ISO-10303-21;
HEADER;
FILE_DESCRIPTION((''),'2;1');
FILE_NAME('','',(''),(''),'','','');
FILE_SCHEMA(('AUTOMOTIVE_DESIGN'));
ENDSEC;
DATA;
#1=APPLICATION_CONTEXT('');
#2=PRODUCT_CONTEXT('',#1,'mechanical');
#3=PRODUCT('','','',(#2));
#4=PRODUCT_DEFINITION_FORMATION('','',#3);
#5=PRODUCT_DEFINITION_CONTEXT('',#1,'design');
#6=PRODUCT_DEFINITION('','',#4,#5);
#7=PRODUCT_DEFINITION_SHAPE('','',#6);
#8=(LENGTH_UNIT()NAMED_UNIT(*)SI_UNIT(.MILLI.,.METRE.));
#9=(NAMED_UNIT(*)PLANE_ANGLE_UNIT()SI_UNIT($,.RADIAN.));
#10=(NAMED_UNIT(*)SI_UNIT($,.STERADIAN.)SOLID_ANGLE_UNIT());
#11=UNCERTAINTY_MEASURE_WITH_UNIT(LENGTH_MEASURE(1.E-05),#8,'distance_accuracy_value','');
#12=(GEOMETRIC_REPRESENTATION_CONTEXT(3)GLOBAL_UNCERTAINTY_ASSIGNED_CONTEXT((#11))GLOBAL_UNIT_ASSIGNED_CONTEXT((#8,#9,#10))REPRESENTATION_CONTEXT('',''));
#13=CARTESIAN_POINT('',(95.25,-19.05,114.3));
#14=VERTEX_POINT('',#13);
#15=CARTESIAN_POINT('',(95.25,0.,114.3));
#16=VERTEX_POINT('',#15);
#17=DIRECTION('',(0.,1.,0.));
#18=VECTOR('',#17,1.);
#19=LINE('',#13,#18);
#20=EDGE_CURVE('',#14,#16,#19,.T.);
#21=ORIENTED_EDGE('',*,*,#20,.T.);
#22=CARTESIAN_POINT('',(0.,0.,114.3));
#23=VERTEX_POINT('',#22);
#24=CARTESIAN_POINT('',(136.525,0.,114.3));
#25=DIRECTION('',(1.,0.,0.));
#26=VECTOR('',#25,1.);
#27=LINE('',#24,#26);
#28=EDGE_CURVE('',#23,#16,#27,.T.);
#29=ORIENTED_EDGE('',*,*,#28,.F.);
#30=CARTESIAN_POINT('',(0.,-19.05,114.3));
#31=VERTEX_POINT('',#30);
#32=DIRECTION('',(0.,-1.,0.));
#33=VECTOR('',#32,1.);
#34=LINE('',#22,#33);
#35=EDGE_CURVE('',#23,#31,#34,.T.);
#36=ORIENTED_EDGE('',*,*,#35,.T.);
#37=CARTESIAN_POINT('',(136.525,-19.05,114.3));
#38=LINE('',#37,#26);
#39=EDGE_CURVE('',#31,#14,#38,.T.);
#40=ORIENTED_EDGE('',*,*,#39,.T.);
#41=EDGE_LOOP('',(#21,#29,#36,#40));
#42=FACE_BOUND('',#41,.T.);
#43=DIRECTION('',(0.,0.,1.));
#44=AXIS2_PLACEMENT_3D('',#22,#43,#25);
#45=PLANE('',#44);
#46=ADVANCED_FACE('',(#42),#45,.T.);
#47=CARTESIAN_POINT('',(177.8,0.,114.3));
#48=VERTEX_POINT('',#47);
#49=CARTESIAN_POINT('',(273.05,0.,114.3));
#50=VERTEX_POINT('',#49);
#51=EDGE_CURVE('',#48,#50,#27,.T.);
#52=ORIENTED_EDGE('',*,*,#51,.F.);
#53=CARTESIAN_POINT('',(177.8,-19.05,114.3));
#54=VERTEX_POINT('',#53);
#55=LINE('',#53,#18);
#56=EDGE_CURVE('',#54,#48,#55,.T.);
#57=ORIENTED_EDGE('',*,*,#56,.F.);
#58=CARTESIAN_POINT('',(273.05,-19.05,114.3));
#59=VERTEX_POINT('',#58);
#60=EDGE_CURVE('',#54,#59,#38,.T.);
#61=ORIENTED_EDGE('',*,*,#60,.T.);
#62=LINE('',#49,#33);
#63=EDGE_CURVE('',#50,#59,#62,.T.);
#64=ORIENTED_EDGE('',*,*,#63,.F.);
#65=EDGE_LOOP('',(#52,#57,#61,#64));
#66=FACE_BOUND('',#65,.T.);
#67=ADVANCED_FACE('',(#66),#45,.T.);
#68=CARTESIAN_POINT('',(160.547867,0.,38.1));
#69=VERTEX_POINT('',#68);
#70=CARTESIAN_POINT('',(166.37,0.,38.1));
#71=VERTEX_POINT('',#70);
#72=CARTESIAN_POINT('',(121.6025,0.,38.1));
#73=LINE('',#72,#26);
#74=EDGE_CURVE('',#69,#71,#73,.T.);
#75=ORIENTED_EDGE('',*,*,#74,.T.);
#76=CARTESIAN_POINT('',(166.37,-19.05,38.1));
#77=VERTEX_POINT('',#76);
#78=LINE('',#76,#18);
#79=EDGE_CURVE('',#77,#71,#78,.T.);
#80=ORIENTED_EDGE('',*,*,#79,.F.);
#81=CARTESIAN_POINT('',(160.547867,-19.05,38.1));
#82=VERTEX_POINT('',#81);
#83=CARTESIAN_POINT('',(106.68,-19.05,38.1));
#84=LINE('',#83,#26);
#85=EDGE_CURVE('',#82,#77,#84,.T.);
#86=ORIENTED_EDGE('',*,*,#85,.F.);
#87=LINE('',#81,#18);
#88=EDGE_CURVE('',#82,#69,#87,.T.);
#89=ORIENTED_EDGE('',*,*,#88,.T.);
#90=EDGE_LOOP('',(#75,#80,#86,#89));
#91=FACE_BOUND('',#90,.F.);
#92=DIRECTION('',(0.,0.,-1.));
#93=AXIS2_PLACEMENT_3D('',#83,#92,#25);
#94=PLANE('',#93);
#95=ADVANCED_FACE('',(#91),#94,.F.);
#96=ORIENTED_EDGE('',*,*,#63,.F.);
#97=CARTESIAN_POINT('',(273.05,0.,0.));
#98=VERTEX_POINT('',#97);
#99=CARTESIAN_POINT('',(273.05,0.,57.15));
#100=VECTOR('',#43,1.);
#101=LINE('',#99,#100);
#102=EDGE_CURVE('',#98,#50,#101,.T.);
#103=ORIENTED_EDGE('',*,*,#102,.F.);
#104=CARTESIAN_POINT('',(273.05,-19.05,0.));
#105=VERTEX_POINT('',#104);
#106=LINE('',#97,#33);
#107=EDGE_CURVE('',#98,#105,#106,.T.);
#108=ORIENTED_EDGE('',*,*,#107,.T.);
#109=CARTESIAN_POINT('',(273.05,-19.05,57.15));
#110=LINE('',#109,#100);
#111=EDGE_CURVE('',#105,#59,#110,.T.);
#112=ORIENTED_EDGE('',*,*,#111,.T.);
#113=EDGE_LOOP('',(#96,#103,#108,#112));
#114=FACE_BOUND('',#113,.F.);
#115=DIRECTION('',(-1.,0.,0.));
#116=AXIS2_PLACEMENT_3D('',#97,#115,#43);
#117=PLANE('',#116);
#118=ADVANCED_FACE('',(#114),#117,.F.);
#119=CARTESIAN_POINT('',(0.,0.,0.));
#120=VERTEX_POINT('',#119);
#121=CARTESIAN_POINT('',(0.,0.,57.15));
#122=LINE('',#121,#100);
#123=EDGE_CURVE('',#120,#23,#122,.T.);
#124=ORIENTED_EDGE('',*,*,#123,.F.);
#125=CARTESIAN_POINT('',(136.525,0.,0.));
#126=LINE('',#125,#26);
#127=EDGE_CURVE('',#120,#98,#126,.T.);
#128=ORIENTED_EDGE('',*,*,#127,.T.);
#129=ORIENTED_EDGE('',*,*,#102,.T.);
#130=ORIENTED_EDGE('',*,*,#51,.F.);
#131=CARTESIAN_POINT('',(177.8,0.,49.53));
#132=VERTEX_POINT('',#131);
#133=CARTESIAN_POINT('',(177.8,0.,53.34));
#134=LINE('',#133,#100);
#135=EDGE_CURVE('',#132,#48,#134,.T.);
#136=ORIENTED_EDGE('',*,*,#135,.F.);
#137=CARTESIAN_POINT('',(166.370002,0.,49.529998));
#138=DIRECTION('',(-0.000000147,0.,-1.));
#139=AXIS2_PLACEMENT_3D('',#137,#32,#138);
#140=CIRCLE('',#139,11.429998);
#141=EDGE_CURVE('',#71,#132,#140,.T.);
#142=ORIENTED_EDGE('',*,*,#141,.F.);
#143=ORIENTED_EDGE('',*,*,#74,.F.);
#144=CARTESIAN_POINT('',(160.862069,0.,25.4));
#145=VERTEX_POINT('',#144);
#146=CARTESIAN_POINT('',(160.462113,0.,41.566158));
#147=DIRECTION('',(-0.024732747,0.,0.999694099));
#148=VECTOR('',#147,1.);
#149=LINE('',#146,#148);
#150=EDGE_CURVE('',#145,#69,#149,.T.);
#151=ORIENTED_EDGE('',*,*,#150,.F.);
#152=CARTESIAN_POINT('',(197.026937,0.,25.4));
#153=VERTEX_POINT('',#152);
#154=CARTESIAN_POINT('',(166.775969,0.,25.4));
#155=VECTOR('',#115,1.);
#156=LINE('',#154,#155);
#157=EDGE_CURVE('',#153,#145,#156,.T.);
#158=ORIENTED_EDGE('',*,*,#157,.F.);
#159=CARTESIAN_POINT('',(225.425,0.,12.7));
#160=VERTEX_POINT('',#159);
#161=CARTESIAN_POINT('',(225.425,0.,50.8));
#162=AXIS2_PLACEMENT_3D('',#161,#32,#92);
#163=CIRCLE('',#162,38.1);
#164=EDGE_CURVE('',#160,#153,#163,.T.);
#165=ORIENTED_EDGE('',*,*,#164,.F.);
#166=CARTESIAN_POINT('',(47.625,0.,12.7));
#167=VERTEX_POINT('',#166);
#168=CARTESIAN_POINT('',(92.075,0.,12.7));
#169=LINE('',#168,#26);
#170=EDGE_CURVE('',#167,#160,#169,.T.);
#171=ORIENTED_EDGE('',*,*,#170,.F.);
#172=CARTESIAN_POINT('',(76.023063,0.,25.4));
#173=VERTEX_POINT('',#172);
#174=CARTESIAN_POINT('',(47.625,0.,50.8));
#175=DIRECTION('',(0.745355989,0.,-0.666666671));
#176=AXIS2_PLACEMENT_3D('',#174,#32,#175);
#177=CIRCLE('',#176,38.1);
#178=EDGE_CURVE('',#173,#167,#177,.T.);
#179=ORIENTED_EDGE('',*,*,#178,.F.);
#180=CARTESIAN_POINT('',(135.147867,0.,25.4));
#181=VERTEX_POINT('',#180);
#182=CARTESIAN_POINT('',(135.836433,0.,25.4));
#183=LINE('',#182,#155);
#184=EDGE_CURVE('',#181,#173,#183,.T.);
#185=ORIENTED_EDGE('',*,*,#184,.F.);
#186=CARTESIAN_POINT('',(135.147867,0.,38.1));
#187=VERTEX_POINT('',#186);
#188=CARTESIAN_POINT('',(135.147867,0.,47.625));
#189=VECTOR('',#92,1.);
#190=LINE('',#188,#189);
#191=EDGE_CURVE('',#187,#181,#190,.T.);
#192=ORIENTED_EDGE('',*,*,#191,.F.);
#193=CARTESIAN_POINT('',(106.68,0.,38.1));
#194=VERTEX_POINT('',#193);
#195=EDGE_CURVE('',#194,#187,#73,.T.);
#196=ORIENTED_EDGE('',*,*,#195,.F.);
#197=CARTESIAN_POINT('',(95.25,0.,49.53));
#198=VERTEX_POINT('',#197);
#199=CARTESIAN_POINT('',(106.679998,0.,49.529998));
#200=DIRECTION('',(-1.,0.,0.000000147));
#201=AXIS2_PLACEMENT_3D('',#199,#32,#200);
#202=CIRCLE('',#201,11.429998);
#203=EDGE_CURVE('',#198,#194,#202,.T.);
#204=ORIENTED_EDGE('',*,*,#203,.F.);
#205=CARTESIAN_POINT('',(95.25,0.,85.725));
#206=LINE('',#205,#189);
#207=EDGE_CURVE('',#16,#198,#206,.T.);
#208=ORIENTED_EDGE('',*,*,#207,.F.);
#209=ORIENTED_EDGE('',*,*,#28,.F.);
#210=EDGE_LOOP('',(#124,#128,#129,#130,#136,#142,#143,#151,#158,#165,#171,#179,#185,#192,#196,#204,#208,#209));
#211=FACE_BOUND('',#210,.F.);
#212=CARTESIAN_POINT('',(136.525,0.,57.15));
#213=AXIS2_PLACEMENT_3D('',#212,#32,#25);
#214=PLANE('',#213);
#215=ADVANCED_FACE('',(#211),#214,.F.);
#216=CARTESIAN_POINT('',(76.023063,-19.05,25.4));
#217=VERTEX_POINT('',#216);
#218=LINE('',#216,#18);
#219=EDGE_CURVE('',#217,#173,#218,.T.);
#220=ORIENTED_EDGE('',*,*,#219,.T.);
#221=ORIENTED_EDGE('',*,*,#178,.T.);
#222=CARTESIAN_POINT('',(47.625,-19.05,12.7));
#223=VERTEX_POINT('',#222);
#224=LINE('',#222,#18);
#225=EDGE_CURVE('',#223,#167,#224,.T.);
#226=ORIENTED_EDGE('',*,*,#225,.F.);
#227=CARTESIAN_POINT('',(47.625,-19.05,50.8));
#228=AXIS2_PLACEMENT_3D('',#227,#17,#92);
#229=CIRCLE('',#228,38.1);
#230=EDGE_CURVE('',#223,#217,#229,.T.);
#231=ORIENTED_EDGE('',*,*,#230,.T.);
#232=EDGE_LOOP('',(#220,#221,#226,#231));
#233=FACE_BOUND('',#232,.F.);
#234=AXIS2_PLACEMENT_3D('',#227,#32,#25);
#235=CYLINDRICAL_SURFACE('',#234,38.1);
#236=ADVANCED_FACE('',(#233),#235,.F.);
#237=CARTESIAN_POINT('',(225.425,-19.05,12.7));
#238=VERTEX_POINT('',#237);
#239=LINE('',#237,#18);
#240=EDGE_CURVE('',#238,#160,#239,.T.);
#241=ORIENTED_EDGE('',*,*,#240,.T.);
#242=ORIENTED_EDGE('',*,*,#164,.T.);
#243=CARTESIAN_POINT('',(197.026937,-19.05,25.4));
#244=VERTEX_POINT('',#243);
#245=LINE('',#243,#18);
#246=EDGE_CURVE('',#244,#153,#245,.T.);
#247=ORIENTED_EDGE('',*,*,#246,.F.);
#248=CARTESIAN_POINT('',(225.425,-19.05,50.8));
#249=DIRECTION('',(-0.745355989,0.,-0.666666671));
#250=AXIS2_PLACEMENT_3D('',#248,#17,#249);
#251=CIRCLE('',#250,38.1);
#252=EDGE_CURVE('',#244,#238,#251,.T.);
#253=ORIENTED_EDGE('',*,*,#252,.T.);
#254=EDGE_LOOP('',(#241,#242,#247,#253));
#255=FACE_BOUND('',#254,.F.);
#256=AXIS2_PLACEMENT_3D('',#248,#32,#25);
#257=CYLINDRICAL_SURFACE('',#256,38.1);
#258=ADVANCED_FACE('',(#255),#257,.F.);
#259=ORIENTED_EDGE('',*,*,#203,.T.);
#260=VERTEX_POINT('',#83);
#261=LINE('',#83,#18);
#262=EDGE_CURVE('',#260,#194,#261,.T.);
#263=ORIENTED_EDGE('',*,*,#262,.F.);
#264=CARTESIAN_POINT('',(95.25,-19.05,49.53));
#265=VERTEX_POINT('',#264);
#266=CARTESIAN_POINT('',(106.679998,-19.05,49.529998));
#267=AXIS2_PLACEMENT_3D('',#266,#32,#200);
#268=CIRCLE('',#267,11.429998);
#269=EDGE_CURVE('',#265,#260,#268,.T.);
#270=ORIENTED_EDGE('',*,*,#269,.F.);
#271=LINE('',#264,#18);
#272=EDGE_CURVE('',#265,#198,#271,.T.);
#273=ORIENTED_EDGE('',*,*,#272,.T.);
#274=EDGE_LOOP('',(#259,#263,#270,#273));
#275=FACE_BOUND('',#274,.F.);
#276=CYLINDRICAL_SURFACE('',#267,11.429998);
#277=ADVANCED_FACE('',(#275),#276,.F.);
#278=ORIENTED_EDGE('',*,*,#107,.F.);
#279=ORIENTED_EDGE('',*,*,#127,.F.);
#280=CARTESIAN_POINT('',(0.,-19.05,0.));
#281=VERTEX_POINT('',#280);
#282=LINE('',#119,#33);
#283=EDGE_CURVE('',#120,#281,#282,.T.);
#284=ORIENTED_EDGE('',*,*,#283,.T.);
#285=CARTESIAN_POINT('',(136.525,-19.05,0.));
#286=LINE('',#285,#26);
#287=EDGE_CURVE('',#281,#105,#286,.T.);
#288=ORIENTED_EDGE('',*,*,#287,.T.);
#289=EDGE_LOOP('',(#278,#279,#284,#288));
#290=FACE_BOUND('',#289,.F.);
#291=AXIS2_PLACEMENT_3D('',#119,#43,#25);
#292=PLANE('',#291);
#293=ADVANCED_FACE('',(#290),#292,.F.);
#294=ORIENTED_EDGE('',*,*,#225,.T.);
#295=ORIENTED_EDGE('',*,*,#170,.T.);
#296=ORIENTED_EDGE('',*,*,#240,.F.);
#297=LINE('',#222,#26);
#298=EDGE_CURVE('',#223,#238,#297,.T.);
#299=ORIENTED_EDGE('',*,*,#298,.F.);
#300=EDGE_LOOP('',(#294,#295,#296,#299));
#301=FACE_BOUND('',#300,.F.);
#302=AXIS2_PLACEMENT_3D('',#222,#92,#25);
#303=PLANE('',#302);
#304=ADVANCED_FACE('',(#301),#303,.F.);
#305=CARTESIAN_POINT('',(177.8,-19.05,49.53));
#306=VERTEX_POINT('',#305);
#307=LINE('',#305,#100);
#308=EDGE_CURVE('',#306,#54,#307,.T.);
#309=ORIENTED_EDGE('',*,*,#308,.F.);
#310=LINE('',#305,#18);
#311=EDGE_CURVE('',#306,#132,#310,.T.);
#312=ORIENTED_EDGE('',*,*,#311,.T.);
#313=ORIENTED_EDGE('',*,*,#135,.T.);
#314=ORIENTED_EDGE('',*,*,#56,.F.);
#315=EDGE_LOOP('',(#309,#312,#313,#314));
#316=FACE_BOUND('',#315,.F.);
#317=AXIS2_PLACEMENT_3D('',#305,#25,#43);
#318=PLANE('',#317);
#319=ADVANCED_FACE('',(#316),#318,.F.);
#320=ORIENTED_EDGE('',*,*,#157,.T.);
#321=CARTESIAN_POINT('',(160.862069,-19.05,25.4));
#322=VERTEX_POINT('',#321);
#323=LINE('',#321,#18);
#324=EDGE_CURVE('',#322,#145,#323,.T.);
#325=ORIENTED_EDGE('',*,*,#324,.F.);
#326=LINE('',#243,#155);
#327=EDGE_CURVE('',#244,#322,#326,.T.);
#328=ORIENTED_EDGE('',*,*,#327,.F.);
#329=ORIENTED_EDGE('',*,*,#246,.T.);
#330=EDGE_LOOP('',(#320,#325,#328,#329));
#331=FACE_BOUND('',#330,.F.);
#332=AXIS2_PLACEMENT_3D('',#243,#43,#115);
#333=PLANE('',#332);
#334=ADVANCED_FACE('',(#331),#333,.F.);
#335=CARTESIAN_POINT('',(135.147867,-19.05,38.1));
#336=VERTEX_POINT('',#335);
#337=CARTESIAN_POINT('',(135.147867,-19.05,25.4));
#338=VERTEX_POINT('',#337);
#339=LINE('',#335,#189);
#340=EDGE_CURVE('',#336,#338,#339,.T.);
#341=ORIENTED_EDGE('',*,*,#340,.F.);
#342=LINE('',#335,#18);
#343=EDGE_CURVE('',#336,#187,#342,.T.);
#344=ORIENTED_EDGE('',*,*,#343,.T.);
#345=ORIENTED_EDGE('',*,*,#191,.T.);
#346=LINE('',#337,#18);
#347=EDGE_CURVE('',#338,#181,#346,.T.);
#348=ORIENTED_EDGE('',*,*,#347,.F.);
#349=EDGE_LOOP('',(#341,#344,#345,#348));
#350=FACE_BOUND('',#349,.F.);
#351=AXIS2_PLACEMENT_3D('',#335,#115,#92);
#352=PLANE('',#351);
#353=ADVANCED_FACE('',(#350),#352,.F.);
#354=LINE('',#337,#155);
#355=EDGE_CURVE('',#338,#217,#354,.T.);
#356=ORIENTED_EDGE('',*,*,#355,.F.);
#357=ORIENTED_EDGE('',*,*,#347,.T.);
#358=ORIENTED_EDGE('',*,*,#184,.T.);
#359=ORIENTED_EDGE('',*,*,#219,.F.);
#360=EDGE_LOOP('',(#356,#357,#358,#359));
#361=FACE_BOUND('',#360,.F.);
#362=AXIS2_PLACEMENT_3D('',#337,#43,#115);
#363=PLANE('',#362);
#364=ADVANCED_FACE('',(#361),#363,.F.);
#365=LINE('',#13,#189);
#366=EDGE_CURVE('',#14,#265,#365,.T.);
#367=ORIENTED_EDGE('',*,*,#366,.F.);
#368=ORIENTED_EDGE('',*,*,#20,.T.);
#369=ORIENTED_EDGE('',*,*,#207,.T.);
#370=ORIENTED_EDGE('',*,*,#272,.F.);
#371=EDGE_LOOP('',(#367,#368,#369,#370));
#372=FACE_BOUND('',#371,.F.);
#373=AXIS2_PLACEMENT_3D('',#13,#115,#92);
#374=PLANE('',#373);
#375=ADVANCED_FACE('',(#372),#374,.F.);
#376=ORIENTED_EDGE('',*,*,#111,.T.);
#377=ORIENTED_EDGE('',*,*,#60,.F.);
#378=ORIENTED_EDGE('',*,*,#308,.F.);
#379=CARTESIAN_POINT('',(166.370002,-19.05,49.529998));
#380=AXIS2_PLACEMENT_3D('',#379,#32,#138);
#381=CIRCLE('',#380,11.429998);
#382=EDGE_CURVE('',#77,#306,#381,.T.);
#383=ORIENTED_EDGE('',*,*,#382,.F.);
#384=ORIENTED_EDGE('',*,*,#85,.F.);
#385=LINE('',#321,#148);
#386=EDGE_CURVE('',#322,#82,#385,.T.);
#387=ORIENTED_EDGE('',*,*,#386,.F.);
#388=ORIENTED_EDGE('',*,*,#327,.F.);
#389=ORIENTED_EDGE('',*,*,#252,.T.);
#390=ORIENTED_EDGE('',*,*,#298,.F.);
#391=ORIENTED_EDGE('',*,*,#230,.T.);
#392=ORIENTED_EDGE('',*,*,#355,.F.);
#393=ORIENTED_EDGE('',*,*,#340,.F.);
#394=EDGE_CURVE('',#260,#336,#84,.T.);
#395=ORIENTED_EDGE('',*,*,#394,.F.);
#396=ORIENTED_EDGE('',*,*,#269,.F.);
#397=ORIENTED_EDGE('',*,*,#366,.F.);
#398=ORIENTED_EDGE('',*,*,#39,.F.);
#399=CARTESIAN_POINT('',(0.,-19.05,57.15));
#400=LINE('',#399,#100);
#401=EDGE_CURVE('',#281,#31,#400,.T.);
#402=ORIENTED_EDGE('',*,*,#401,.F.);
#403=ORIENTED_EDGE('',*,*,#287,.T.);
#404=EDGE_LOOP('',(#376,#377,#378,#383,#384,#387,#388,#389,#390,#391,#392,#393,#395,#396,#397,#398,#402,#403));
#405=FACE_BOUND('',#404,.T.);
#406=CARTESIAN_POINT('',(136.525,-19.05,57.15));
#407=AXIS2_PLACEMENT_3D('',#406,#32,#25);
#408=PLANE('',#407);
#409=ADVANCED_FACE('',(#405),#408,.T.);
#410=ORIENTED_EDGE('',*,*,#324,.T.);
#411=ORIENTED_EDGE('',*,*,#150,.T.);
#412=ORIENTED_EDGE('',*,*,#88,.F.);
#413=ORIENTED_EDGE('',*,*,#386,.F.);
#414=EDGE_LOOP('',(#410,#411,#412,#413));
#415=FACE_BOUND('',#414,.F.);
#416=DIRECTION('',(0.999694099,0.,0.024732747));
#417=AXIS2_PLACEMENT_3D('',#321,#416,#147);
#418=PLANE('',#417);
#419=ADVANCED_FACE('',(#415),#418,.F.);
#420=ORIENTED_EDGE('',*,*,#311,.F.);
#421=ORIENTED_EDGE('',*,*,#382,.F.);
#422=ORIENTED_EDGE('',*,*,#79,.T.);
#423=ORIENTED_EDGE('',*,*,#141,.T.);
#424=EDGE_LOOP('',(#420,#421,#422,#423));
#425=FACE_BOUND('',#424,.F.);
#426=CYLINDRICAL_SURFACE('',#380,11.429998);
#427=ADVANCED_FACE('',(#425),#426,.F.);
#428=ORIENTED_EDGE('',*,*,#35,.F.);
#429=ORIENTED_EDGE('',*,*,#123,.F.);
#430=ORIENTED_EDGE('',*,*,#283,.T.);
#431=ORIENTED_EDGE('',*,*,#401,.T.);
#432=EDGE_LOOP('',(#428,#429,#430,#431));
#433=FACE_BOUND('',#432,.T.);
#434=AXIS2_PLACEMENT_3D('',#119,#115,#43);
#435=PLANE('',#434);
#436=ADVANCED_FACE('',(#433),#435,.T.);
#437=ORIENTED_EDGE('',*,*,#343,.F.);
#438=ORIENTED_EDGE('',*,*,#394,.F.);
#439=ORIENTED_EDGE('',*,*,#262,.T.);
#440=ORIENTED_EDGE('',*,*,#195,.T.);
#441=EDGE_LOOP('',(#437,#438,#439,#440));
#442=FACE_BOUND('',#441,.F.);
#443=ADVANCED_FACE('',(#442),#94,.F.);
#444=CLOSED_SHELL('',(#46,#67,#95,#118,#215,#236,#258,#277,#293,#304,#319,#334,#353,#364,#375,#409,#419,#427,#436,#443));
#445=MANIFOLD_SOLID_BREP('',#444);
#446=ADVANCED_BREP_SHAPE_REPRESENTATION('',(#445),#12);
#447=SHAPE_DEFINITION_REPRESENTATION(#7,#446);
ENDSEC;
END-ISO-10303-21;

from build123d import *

# Parameters (mm, degrees)
F0_W     = 273.05
F0_H     = 114.3
F1_DEPTH = 19.05
F2_R     = 38.1
F3_DEPTH = 25.4
F5_DEPTH = 25.4
F7_DEPTH = 25.4


with BuildPart() as f1:
    # F0 (on Front) → F1 (new body)
    with BuildSketch(Plane.XZ):
        with Locations((136.525, 57.15)):
            Rectangle(F0_W, F0_H)
    extrude(amount=F1_DEPTH)

    # F2 (on face) → F3 (cut)
    with BuildSketch(Plane.XZ.offset(19.05)):
        with Locations((47.625, 50.8)):
            Circle(F2_R)
        with Locations((225.425, 50.8)):
            Circle(F2_R)
    extrude(amount=-F3_DEPTH, mode=Mode.SUBTRACT)

    # F4 (on face) → F5 (cut)
    with BuildSketch(Plane.XZ.offset(19.05)):
        with BuildLine():
            Line((177.8, 114.3), (95.25, 114.3))
            Line((95.25, 114.3), (95.25, 49.53))
            ThreePointArc((95.25, 49.53), (98.597769, 41.447769), (106.68, 38.1))
            Line((106.68, 38.1), (166.37, 38.1))
            ThreePointArc((166.37, 38.1), (174.452231, 41.447769), (177.8, 49.53))
            Line((177.8, 49.53), (177.8, 114.3))
        make_face()
    extrude(amount=-F5_DEPTH, mode=Mode.SUBTRACT)

    # F6 (on face) → F7 (cut)
    with BuildSketch(Plane.XZ.offset(19.05)):
        Polygon((160.862069, 25.4), (160.547867, 38.1), (135.147867, 38.1), (135.147867, 25.4), (76.023063, 25.4), (47.625, 12.7), (225.425, 12.7), (197.026937, 25.4), align=None)
    extrude(amount=-F7_DEPTH, mode=Mode.SUBTRACT)


solid = f1.part
